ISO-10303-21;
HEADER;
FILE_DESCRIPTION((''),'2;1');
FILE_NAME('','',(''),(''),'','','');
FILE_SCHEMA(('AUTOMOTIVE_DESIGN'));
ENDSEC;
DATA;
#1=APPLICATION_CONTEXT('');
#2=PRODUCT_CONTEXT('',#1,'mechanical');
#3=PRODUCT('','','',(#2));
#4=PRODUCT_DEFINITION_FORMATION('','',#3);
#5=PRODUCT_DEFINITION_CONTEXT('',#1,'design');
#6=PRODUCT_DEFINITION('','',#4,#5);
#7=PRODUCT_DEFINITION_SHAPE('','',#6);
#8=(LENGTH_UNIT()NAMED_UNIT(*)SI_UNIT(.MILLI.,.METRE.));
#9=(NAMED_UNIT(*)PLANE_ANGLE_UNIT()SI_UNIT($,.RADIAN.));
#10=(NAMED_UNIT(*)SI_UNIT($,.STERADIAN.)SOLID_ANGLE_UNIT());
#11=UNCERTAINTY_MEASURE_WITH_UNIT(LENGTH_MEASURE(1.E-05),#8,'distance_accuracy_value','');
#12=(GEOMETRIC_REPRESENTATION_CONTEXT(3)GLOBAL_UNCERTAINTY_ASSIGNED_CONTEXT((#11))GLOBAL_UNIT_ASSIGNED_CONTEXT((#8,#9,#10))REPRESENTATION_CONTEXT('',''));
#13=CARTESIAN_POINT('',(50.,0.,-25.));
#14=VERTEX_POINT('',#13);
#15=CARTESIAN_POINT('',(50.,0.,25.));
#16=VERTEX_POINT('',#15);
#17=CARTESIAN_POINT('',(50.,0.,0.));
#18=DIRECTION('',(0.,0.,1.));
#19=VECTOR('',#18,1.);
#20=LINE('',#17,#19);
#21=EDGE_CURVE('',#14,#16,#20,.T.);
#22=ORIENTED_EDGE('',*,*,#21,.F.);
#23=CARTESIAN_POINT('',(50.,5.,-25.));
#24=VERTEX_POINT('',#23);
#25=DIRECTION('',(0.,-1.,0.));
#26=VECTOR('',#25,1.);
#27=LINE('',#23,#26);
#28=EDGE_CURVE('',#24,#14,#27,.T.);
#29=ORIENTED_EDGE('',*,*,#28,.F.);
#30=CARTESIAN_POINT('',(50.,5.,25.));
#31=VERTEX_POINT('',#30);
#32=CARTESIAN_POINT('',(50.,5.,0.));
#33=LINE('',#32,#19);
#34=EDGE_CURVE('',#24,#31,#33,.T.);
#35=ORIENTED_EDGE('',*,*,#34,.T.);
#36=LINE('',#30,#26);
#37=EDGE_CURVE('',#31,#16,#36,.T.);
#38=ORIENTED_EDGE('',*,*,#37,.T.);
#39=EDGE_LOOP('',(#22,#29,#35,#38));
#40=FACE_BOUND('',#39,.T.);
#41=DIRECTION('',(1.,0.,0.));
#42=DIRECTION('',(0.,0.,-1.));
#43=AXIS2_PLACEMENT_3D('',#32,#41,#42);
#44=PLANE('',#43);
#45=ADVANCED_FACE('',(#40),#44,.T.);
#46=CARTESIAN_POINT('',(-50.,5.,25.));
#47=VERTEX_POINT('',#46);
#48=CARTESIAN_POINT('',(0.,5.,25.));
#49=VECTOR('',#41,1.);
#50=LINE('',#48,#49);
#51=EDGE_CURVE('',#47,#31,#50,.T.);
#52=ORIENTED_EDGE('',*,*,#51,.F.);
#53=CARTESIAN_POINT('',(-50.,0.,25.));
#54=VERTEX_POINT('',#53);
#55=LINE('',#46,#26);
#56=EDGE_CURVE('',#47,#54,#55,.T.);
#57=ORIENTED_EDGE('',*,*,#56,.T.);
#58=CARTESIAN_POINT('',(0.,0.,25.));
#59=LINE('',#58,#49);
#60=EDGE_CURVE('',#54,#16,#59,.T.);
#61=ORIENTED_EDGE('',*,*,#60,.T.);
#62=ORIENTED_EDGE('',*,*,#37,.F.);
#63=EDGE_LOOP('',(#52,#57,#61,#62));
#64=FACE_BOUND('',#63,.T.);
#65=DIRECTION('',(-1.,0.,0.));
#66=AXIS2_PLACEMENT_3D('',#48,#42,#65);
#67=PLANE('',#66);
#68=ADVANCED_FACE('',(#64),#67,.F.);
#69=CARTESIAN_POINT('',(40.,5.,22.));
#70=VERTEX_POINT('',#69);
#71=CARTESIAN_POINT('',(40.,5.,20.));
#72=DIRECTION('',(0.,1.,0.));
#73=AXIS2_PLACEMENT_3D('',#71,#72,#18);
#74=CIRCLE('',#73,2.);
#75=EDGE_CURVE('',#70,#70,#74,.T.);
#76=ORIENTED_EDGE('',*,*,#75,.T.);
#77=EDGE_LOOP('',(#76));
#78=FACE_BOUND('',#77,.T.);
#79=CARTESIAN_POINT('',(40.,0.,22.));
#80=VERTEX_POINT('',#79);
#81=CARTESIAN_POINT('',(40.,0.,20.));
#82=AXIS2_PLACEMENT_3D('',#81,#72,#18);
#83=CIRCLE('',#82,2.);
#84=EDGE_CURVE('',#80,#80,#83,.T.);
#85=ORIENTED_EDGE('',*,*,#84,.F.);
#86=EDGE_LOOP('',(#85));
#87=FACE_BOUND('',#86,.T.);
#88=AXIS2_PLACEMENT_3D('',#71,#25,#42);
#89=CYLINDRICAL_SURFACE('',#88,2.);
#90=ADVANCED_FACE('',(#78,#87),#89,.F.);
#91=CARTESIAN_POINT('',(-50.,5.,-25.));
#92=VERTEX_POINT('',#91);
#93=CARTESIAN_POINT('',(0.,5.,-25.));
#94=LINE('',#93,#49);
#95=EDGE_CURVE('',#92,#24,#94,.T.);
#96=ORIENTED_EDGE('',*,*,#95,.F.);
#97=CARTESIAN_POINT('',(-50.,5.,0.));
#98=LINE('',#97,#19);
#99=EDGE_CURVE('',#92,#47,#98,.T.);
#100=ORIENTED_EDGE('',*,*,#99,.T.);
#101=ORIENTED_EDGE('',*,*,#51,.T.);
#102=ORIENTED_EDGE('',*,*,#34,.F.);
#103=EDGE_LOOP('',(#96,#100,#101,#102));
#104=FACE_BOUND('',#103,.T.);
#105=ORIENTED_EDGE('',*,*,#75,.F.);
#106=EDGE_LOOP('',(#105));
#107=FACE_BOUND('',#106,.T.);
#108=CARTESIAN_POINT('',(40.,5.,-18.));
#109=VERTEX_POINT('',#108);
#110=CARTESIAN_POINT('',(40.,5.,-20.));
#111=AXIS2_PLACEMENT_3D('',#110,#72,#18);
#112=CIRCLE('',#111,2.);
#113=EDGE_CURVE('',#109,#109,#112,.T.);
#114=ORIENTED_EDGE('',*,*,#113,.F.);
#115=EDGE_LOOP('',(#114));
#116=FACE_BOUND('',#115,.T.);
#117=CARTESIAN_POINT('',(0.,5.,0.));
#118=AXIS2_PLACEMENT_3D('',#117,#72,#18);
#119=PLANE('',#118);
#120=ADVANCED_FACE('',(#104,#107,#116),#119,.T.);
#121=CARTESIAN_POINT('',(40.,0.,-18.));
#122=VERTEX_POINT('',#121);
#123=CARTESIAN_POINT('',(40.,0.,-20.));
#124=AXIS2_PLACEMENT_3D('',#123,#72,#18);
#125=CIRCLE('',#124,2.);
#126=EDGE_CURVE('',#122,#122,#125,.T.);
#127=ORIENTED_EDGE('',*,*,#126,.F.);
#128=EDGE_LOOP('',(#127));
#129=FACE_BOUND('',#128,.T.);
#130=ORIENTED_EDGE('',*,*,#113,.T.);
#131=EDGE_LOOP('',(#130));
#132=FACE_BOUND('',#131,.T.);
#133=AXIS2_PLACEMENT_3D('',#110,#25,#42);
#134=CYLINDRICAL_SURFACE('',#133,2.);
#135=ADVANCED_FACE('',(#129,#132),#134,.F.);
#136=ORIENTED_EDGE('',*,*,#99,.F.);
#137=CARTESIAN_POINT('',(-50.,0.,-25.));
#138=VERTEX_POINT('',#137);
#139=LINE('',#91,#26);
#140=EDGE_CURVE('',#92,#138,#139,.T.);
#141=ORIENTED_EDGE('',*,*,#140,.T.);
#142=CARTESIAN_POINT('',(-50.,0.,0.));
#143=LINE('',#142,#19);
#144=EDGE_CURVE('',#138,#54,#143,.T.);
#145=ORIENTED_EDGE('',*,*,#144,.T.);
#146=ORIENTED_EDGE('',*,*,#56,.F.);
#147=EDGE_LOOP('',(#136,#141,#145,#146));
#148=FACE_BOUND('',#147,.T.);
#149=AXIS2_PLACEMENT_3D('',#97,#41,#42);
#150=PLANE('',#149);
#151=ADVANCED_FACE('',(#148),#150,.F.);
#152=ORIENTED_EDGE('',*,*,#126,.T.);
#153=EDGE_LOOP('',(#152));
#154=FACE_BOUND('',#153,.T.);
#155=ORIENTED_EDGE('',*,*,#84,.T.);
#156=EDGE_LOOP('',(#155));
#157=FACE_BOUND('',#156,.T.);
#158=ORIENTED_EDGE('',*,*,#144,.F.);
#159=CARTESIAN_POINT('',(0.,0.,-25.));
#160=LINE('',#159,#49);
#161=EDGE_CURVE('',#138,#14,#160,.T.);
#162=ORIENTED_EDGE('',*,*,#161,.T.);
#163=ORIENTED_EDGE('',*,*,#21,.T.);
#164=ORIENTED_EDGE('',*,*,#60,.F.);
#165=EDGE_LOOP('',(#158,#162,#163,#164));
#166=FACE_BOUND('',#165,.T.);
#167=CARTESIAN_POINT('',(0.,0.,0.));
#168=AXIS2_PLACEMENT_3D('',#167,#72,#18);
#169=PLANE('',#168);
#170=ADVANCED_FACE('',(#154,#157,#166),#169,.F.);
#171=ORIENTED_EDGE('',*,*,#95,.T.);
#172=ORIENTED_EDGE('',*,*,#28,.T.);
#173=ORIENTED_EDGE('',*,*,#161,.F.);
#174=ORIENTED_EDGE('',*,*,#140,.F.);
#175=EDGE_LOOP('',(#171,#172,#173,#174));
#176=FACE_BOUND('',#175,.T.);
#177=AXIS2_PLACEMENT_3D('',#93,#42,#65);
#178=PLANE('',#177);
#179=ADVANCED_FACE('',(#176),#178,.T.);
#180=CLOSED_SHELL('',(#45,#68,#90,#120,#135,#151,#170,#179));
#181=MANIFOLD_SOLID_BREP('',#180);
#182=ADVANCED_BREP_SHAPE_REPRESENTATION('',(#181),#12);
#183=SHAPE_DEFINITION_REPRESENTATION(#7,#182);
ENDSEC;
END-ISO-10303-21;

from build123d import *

# Parameters (mm, degrees)
SKETCH_1_W      = 100
SKETCH_1_H      = 50
SKETCH_1_R      = 2
EXTRUDE_1_DEPTH = 5


with BuildPart() as part:
    # 草图1 → 凸台-拉伸1 (new body)
    with BuildSketch(Plane(origin=(0, 0, 0), x_dir=(1, 0, 0), z_dir=(0, 1, 0))):
        Rectangle(SKETCH_1_W, SKETCH_1_H)
        with Locations(Location((40, 20, 0), (0, 0, 270))):
            Circle(SKETCH_1_R, mode=Mode.SUBTRACT)
        with Locations(Location((40, -20, 0), (0, 0, 270))):
            Circle(SKETCH_1_R, mode=Mode.SUBTRACT)
    extrude(amount=EXTRUDE_1_DEPTH)


solid = part.part
